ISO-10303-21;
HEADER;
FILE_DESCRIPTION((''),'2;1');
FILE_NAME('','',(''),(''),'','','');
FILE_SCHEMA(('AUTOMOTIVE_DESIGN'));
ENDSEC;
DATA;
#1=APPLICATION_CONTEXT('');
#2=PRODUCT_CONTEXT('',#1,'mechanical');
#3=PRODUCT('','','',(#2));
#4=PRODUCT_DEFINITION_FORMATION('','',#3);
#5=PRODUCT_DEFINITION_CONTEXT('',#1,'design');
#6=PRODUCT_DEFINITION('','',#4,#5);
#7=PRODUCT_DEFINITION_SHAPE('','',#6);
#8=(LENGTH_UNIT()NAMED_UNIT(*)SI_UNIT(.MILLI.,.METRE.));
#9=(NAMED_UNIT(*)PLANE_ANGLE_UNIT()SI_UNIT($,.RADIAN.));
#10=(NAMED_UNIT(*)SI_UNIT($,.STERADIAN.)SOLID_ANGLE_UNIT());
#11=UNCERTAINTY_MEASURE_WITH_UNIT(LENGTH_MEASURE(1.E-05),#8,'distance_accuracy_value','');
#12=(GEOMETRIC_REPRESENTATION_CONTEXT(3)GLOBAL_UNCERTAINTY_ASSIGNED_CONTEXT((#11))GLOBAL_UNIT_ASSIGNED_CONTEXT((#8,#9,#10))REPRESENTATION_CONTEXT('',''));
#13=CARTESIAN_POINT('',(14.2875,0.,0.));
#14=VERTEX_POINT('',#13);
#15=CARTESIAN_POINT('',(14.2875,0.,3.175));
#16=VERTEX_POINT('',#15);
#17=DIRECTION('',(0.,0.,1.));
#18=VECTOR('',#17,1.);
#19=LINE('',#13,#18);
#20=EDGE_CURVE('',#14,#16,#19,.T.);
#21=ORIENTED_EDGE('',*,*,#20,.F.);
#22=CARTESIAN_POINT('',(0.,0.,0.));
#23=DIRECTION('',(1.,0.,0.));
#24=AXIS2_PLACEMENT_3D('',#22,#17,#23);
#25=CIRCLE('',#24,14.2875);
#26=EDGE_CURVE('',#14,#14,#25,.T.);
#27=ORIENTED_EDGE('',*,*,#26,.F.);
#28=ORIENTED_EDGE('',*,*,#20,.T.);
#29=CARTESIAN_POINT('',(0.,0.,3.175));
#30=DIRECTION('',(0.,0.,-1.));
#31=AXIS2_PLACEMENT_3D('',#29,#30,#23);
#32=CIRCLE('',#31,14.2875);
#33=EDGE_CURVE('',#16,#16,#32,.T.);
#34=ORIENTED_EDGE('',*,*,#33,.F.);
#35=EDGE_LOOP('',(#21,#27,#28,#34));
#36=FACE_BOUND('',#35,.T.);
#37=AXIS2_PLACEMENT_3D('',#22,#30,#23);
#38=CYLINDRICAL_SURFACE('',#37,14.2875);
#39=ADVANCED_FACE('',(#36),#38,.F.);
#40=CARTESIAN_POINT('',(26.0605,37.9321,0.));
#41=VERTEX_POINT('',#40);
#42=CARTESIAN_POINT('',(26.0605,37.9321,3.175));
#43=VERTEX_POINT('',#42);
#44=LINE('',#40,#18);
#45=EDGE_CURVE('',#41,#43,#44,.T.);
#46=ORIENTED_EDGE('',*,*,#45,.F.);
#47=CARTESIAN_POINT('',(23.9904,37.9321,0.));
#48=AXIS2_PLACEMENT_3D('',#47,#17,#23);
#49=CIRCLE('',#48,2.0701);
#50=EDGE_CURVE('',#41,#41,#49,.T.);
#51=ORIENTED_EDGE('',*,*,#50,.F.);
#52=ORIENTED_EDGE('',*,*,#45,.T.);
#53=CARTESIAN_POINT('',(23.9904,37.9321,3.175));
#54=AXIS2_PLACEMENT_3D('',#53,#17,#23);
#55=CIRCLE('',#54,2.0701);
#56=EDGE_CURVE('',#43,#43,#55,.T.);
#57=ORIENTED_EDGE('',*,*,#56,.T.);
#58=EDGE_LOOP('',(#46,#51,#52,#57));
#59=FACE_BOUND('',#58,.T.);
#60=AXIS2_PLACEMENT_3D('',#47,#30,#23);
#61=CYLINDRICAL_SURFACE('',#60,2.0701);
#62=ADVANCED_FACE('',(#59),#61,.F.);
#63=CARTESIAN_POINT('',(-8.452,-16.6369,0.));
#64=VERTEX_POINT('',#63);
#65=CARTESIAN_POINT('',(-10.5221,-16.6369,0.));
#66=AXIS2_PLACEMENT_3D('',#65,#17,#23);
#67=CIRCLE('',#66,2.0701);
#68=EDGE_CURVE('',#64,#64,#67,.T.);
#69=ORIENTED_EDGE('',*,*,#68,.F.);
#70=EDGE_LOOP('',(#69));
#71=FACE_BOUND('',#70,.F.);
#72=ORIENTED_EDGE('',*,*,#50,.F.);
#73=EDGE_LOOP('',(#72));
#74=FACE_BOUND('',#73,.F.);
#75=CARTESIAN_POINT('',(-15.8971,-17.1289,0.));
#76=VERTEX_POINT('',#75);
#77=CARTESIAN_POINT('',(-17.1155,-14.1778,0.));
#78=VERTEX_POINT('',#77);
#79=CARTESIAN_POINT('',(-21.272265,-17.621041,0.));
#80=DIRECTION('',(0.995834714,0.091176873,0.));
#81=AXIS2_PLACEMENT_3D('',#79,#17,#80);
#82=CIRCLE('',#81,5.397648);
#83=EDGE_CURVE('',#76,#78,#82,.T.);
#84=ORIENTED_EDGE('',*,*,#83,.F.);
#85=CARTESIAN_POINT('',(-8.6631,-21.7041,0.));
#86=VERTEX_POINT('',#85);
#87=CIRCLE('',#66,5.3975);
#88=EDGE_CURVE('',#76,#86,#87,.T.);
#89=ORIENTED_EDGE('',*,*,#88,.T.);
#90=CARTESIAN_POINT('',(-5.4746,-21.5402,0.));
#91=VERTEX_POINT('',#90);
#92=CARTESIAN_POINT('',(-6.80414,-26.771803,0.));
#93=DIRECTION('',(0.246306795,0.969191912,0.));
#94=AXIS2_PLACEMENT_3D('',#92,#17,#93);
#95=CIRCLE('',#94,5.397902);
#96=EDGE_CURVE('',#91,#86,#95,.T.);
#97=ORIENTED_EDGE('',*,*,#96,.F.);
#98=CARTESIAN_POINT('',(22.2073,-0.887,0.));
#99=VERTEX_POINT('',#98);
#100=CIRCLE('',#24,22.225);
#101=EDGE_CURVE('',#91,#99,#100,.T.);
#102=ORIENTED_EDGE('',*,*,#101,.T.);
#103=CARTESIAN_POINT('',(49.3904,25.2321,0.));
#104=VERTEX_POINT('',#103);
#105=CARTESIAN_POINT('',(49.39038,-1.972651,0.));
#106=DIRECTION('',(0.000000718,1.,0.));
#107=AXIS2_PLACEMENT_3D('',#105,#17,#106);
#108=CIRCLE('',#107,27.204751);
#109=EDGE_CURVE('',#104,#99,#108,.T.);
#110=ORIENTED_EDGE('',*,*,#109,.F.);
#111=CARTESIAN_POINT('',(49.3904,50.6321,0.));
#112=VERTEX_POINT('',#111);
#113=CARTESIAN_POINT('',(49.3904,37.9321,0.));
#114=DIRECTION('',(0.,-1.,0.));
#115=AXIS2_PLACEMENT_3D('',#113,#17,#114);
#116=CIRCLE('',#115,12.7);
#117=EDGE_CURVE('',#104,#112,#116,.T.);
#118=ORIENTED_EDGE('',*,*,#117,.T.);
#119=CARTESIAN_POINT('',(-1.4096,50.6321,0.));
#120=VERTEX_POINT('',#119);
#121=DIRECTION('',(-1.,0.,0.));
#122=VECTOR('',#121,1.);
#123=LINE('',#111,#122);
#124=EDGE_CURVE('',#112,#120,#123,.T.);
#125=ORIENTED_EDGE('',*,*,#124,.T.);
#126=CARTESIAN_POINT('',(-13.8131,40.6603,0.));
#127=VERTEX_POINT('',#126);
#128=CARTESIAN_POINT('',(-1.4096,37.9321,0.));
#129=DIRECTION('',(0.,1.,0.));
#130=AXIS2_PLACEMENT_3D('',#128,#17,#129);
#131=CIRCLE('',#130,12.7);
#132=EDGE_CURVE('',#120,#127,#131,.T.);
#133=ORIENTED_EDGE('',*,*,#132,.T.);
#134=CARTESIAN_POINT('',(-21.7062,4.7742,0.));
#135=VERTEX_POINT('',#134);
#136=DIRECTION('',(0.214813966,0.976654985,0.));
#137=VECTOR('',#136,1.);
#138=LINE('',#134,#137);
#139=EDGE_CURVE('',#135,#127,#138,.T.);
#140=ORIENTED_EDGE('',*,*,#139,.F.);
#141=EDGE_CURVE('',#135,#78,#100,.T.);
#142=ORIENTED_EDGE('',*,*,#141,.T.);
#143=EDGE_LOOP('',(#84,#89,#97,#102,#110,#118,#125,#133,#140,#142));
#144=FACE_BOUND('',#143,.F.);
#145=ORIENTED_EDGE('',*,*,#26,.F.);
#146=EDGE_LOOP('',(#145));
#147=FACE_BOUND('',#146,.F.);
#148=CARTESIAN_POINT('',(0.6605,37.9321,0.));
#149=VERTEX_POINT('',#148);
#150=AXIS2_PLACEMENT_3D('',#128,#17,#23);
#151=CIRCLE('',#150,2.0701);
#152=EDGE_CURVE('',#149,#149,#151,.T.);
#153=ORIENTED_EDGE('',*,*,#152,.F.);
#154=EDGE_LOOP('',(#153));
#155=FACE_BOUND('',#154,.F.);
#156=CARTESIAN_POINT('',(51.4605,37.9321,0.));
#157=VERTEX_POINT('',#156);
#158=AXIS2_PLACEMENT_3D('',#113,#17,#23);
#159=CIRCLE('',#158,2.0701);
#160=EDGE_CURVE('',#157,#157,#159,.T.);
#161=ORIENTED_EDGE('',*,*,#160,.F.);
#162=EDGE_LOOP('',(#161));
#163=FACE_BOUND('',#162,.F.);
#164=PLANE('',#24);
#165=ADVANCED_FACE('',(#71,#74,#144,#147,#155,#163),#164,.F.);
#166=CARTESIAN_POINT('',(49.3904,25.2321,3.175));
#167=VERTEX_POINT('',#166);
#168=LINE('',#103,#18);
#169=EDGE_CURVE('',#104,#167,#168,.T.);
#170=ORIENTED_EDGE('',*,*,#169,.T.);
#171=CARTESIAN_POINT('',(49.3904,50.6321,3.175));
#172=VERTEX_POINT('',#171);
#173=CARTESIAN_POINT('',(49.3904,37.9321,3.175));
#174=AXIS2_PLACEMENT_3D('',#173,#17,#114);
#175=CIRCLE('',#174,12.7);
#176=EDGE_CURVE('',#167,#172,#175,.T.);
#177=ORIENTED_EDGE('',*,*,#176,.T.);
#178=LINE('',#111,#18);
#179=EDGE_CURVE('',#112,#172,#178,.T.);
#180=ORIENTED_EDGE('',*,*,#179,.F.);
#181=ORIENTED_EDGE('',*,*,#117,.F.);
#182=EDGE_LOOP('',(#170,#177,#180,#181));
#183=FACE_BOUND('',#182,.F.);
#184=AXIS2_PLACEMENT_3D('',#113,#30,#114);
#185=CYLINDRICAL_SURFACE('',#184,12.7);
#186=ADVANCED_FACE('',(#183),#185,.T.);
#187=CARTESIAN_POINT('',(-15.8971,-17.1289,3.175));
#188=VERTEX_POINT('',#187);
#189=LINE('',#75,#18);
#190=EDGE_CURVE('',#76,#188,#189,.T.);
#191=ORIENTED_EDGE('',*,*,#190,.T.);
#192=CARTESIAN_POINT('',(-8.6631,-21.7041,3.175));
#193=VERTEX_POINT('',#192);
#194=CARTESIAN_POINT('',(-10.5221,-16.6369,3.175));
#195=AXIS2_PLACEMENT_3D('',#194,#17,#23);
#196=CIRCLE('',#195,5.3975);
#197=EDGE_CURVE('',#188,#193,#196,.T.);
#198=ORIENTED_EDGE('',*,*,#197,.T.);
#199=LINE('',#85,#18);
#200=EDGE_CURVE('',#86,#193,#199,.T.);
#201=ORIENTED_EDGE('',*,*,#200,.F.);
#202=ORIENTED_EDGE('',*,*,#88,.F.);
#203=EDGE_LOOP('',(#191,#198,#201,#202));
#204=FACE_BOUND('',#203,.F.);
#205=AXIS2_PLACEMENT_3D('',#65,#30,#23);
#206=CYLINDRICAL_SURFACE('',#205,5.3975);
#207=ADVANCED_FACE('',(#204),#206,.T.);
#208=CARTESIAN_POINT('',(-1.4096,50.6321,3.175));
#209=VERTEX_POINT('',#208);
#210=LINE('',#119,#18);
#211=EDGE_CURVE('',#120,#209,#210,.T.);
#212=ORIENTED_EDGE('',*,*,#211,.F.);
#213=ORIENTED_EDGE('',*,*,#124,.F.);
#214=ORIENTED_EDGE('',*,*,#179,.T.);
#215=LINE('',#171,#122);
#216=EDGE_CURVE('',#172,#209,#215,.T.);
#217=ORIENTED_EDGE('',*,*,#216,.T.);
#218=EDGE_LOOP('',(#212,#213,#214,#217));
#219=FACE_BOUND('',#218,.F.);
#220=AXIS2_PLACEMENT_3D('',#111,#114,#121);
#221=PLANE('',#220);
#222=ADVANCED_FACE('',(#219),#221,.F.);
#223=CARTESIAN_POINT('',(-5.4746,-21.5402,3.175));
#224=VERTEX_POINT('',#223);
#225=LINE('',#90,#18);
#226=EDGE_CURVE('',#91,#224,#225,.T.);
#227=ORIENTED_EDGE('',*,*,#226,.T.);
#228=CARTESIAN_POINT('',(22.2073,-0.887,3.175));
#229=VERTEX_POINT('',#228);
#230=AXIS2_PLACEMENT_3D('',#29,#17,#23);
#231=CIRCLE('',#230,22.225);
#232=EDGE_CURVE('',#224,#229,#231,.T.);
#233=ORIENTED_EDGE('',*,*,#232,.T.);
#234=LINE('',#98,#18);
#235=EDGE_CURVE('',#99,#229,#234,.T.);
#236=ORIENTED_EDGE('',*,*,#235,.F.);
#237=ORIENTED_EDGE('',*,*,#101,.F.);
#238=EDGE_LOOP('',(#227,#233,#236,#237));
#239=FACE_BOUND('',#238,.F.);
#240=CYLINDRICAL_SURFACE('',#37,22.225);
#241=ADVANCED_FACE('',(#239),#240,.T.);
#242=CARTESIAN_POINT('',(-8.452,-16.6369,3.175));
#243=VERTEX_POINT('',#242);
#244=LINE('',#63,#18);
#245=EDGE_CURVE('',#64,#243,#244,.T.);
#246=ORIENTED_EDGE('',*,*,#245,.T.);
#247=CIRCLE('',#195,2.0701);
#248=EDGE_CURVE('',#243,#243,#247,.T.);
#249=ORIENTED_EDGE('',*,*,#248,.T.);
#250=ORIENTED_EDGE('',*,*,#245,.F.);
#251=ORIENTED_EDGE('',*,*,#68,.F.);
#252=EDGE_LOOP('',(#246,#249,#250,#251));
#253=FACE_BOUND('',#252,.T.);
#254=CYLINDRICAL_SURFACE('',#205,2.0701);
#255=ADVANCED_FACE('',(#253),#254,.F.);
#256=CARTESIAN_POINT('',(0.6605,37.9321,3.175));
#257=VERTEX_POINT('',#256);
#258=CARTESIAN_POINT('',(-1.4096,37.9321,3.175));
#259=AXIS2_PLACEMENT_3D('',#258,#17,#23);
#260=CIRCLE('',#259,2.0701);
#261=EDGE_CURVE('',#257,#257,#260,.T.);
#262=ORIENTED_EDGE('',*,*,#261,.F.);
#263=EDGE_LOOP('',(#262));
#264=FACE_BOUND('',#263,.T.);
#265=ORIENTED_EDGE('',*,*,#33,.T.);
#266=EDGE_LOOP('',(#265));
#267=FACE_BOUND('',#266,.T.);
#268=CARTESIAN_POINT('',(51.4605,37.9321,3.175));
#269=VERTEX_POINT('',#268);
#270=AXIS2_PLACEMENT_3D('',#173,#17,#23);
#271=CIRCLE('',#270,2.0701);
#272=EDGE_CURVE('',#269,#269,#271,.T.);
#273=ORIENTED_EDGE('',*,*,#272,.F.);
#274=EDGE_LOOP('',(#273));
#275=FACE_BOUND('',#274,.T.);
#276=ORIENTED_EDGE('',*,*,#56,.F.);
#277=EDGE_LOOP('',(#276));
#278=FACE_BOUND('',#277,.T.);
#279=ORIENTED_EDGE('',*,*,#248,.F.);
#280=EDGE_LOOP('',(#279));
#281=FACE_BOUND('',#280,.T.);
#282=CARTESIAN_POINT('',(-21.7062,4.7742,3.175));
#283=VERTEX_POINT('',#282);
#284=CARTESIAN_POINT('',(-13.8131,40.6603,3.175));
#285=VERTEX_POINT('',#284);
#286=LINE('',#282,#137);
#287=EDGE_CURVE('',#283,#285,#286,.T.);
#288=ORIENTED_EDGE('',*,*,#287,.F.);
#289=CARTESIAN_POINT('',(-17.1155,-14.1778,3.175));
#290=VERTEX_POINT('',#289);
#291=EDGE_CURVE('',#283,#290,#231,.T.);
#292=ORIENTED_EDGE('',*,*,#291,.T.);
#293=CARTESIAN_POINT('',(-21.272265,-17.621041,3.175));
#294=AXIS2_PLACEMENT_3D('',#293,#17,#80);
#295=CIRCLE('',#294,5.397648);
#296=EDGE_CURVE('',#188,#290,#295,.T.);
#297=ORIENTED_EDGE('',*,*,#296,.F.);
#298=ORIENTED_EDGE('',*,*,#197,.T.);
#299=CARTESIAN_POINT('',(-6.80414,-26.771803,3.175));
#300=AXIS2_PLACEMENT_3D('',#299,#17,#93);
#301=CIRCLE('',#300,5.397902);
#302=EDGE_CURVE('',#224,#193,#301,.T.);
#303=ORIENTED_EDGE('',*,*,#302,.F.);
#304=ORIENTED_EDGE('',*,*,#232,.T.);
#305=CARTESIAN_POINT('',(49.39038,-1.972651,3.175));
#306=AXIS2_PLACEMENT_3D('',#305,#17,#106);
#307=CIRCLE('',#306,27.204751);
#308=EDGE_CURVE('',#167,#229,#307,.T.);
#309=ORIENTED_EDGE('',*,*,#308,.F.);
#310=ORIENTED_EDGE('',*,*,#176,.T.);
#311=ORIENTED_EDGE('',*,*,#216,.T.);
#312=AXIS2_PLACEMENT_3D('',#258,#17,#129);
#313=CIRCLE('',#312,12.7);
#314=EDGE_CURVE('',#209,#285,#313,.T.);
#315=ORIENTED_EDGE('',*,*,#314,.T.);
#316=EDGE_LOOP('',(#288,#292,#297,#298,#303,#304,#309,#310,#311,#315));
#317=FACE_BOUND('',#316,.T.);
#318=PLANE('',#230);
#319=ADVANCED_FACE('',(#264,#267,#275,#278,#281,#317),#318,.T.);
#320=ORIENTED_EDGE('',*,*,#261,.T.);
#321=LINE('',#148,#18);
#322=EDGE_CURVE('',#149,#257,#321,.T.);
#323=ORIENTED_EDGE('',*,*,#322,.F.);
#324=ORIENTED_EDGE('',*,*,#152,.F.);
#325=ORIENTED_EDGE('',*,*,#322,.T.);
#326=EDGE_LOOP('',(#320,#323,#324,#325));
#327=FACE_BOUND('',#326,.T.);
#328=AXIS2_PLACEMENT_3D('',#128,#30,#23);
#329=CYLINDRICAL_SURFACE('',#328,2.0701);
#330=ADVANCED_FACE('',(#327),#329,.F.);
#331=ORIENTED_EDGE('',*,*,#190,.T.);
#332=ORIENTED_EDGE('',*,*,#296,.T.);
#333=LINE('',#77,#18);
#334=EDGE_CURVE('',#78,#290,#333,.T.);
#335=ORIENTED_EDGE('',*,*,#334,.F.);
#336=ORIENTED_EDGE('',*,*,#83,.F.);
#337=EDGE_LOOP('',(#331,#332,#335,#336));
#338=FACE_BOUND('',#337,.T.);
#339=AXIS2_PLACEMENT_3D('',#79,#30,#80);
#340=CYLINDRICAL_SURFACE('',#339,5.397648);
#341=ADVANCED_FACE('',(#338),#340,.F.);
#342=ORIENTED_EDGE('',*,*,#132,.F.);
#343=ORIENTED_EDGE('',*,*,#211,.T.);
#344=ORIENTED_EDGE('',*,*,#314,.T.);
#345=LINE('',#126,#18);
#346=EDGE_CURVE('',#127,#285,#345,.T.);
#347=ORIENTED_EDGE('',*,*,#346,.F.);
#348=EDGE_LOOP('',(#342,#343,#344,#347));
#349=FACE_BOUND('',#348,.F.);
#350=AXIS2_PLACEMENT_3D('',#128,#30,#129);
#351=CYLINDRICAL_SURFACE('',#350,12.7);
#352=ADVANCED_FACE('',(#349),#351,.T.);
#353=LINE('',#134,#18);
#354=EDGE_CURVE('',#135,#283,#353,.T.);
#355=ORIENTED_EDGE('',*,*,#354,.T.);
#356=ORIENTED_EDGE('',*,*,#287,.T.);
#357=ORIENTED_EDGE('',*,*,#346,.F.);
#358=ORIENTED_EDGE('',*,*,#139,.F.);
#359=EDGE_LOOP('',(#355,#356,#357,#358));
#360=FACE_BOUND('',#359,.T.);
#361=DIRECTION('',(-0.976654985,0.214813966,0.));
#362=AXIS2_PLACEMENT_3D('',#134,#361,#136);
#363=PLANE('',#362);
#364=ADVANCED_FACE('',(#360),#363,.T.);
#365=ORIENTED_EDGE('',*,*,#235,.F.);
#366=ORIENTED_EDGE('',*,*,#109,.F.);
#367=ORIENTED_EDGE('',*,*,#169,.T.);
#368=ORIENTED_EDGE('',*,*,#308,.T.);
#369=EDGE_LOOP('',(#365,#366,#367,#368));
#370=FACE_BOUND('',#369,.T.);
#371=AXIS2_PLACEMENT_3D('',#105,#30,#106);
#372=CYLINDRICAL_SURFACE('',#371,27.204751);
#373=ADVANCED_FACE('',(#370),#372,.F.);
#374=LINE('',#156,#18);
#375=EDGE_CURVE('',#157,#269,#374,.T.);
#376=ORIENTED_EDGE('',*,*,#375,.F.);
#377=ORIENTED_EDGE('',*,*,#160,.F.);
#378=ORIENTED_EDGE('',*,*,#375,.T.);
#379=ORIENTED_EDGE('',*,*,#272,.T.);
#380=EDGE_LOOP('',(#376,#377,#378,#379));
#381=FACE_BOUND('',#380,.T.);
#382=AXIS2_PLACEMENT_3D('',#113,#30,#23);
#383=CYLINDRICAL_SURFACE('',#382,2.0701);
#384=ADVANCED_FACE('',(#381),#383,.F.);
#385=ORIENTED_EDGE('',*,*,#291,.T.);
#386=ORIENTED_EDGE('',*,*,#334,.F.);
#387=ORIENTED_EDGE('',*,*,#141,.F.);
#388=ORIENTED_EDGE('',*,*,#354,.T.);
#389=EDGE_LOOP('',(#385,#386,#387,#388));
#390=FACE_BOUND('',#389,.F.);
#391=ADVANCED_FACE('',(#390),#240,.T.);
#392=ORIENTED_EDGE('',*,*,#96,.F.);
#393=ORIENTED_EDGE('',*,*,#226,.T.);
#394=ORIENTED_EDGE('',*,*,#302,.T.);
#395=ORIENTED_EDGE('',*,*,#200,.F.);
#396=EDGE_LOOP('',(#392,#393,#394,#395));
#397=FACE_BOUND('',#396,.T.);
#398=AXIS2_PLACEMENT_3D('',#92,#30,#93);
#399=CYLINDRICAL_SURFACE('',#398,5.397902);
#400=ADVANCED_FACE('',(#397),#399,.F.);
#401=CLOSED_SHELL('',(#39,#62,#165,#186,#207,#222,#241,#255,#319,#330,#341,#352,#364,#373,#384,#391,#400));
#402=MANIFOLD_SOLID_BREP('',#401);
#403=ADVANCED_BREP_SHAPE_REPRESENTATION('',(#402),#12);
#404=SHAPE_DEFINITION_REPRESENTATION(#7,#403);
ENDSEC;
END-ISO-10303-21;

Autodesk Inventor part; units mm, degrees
ref_plane "YZ Plane" through (0, 0, 0) normal (1, 0, 0) x (0, 1, 0)
ref_plane "XZ Plane" through (0, 0, 0) normal (0, 1, 0) x (-1, 0, 0)
ref_plane "XY Plane" through (0, 0, 0) normal (0, 0, 1) x (1, 0, 0)
sketch "Sketch1" plane through (0, 0, 0) normal (0, 0, 1) x (1, 0, 0)
  circle A0 centre (0, 0) radius 14.2875
  circle A1 centre (-1.4096, 37.9321) radius 2.0701
  circle A2 centre (23.9904, 37.9321) radius 2.0701
  circle A3 centre (49.3904, 37.9321) radius 2.0701
  line L0 (-1.4096, 37.9321) -> (49.3904, 37.9321) construction
  circle A4 centre (0, 0) radius 22.225
  line L1 (-1.4096, 37.9321) -> (49.3904, 37.9321) construction
  line L2 (-1.4096, 25.2321) -> (49.3904, 25.2321) construction
  line L3 (49.3904, 50.6321) -> (-1.4096, 50.6321)
  arc A5 (-1.4096, 50.6321) -> (-1.4096, 25.2321) centre (-1.4096, 37.9321) ccw
  arc A6 (49.3904, 25.2321) -> (49.3904, 50.6321) centre (49.3904, 37.9321) ccw
  line L4 (-21.7062, 4.7742) -> (-13.8131, 40.6603)
  arc A7 (49.3904, 25.2321) -> (22.2073, -0.887) centre (49.3904, -1.9727) ccw
  line L5 (-10.67, -20.3) -> (-13.7684, -18.3404) construction
  line L6 (-13.7684, -18.3404) -> (-13.6206, -14.6772) construction
  line L7 (-13.6206, -14.6772) -> (-10.3742, -12.9737) construction
  line L8 (-10.3742, -12.9737) -> (-7.2757, -14.9333) construction
  line L9 (-7.2757, -14.9333) -> (-7.4236, -18.5965) construction
  line L10 (-7.4236, -18.5965) -> (-10.67, -20.3) construction
  circle A8 centre (0, 0) radius 16.51 construction
  circle A9 centre (-10.5221, -16.6369) radius 2.0701
  line L11 (-10.5221, -16.6369) -> (0, 0) construction
  circle A10 centre (-10.5221, -16.6369) radius 5.3975
  arc A11 (-15.8971, -17.1289) -> (-17.1155, -14.1778) centre (-21.2721, -17.621) ccw
  arc A12 (-5.4746, -21.5402) -> (-8.6631, -21.7041) centre (-6.8041, -26.7714) ccw
  circle A13 centre (-10.5221, -16.6369) radius 4.0005 construction
  point P0 (23.9904, 37.9321)
  point P1 (-12.2192, -19.3202)
  dimension "d0" = 25.4
  dimension "d2" = 62.2757
  dimension "d3" = 37.9583
  dimension "d4" = 4.1402
  dimension "d5" = 28.575
  dimension "d6" = 44.45
  dimension "d7" = 25.4
  dimension "d10" = 6.35
  dimension "d11" = 33.02
  dimension "d12" = 8.001
extrude "Extrusion1" add sketch "Sketch1" along normal blind 3.175
sketch "Sketch2" plane through (0, 0, 3.175) normal (0, 0, 1) x (1, 0, 0)
  arc A0 (-15.8971, -17.1289) -> (-8.6631, -21.7041) centre (-10.5221, -16.6369) ccw projected
  arc A1 (-5.4746, -21.5402) -> (-8.6631, -21.7041) centre (-6.8041, -26.7714) ccw projected
  arc A2 (-5.4746, -21.5402) -> (22.2073, -0.887) centre (0, 0) ccw projected
  arc A3 (49.3904, 25.2321) -> (22.2073, -0.887) centre (49.3904, -1.9727) ccw projected
  arc A4 (49.3904, 25.2321) -> (49.3904, 50.6321) centre (49.3904, 37.9321) ccw projected
  line L0 (49.3904, 50.6321) -> (-1.4096, 50.6321) projected
  arc A5 (-1.4096, 50.6321) -> (-13.8131, 40.6603) centre (-1.4096, 37.9321) ccw projected
  line L1 (-13.8131, 40.6603) -> (-21.7062, 4.7742) projected
  arc A6 (-21.7062, 4.7742) -> (-17.1155, -14.1778) centre (0, 0) ccw projected
  arc A7 (-15.8971, -17.1289) -> (-17.1155, -14.1778) centre (-21.2721, -17.621) ccw projected
  circle A8 centre (0, 0) radius 14.2875 projected
  circle A9 centre (-1.4096, 37.9321) radius 2.0701 projected
  circle A10 centre (49.3904, 37.9321) radius 2.0701 projected
  circle A11 centre (23.9904, 37.9321) radius 2.0701 projected
  circle A12 centre (-10.5221, -16.6369) radius 2.0701 projected
properties part number "Intake Joint Holder Using 1__16 Gray Tinted Polycarbonate Sheet (36 x 72) (217-6627)" material "Polycarbonate, Clear"
